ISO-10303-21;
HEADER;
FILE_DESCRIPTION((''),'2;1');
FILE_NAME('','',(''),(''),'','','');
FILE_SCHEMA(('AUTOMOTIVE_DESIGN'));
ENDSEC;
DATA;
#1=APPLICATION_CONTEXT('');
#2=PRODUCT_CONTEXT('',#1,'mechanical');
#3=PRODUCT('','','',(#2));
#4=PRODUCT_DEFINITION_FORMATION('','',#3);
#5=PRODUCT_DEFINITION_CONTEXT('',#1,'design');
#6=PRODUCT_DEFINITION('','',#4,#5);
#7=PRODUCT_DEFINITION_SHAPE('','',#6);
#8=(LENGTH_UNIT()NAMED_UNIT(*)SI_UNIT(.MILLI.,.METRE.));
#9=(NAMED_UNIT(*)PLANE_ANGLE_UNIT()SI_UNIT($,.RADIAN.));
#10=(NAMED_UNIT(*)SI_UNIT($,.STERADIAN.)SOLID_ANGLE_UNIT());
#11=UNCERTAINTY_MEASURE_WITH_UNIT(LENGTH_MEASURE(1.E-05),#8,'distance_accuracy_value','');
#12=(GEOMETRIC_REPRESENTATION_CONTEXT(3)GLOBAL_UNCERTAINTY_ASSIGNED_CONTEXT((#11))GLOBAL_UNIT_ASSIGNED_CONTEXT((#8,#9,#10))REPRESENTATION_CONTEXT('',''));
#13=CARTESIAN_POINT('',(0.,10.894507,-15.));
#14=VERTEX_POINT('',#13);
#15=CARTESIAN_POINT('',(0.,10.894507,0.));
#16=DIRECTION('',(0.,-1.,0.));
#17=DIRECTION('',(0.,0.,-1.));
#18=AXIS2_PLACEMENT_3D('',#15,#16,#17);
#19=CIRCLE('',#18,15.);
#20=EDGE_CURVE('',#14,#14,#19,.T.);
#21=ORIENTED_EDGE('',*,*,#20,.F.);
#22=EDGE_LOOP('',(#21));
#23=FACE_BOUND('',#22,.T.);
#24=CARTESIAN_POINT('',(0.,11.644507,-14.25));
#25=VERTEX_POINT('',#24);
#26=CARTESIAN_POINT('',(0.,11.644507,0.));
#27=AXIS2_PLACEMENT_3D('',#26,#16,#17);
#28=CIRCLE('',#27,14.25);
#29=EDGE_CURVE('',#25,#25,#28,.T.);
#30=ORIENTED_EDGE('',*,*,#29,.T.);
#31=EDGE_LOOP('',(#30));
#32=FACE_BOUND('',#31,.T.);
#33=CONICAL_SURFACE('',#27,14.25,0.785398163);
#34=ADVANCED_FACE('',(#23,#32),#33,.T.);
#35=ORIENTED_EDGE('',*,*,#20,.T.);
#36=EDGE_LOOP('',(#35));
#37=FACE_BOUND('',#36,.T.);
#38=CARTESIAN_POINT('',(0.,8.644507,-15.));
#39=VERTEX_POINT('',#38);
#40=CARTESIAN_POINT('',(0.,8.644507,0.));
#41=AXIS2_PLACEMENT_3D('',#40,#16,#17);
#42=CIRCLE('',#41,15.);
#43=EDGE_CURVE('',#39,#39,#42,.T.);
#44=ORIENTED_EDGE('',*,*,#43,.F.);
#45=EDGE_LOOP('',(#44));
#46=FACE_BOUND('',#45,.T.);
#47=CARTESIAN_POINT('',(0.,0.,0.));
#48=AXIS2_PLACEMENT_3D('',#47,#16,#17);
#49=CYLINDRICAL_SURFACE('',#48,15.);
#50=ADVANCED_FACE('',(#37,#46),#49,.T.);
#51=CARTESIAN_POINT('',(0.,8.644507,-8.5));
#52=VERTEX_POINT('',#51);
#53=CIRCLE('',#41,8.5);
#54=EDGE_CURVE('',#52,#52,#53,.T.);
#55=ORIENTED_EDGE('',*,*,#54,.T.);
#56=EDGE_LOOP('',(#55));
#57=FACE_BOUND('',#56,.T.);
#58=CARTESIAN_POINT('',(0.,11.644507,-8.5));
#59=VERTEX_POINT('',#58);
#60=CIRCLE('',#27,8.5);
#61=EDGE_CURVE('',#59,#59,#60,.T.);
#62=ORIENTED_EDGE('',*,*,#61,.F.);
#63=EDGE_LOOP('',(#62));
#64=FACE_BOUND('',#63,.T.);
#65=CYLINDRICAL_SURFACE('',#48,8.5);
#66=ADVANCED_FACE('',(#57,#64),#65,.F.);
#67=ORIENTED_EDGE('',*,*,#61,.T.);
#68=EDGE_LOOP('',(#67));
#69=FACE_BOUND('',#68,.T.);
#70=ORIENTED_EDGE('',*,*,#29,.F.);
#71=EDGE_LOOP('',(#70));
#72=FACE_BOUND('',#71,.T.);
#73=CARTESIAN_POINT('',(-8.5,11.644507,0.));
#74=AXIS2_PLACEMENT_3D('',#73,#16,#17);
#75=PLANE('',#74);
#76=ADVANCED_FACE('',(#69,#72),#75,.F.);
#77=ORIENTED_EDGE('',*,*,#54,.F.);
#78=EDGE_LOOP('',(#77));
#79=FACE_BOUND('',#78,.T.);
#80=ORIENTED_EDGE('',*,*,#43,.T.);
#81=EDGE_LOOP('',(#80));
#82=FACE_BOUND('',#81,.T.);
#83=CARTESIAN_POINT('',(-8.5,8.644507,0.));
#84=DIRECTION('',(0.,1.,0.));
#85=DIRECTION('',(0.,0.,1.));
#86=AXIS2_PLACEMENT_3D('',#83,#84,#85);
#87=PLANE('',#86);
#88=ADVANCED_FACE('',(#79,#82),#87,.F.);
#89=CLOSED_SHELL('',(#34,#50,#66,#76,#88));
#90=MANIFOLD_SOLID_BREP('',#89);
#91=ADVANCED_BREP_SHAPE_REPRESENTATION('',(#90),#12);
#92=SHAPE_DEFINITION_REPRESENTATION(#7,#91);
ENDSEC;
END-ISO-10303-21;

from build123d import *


with BuildPart() as part:
    # 草图1 → Revolve 484 (revolve)
    with BuildSketch(Plane.XY):
        Polygon((-14.25, 11.644507042), (-15, 10.894507042), (-15, 8.644507042), (-8.5, 8.644507042), (-8.5, 11.644507042), align=None)
    revolve(axis=Axis((0, 0, 0), (0, 1, 0)))


solid = part.part
